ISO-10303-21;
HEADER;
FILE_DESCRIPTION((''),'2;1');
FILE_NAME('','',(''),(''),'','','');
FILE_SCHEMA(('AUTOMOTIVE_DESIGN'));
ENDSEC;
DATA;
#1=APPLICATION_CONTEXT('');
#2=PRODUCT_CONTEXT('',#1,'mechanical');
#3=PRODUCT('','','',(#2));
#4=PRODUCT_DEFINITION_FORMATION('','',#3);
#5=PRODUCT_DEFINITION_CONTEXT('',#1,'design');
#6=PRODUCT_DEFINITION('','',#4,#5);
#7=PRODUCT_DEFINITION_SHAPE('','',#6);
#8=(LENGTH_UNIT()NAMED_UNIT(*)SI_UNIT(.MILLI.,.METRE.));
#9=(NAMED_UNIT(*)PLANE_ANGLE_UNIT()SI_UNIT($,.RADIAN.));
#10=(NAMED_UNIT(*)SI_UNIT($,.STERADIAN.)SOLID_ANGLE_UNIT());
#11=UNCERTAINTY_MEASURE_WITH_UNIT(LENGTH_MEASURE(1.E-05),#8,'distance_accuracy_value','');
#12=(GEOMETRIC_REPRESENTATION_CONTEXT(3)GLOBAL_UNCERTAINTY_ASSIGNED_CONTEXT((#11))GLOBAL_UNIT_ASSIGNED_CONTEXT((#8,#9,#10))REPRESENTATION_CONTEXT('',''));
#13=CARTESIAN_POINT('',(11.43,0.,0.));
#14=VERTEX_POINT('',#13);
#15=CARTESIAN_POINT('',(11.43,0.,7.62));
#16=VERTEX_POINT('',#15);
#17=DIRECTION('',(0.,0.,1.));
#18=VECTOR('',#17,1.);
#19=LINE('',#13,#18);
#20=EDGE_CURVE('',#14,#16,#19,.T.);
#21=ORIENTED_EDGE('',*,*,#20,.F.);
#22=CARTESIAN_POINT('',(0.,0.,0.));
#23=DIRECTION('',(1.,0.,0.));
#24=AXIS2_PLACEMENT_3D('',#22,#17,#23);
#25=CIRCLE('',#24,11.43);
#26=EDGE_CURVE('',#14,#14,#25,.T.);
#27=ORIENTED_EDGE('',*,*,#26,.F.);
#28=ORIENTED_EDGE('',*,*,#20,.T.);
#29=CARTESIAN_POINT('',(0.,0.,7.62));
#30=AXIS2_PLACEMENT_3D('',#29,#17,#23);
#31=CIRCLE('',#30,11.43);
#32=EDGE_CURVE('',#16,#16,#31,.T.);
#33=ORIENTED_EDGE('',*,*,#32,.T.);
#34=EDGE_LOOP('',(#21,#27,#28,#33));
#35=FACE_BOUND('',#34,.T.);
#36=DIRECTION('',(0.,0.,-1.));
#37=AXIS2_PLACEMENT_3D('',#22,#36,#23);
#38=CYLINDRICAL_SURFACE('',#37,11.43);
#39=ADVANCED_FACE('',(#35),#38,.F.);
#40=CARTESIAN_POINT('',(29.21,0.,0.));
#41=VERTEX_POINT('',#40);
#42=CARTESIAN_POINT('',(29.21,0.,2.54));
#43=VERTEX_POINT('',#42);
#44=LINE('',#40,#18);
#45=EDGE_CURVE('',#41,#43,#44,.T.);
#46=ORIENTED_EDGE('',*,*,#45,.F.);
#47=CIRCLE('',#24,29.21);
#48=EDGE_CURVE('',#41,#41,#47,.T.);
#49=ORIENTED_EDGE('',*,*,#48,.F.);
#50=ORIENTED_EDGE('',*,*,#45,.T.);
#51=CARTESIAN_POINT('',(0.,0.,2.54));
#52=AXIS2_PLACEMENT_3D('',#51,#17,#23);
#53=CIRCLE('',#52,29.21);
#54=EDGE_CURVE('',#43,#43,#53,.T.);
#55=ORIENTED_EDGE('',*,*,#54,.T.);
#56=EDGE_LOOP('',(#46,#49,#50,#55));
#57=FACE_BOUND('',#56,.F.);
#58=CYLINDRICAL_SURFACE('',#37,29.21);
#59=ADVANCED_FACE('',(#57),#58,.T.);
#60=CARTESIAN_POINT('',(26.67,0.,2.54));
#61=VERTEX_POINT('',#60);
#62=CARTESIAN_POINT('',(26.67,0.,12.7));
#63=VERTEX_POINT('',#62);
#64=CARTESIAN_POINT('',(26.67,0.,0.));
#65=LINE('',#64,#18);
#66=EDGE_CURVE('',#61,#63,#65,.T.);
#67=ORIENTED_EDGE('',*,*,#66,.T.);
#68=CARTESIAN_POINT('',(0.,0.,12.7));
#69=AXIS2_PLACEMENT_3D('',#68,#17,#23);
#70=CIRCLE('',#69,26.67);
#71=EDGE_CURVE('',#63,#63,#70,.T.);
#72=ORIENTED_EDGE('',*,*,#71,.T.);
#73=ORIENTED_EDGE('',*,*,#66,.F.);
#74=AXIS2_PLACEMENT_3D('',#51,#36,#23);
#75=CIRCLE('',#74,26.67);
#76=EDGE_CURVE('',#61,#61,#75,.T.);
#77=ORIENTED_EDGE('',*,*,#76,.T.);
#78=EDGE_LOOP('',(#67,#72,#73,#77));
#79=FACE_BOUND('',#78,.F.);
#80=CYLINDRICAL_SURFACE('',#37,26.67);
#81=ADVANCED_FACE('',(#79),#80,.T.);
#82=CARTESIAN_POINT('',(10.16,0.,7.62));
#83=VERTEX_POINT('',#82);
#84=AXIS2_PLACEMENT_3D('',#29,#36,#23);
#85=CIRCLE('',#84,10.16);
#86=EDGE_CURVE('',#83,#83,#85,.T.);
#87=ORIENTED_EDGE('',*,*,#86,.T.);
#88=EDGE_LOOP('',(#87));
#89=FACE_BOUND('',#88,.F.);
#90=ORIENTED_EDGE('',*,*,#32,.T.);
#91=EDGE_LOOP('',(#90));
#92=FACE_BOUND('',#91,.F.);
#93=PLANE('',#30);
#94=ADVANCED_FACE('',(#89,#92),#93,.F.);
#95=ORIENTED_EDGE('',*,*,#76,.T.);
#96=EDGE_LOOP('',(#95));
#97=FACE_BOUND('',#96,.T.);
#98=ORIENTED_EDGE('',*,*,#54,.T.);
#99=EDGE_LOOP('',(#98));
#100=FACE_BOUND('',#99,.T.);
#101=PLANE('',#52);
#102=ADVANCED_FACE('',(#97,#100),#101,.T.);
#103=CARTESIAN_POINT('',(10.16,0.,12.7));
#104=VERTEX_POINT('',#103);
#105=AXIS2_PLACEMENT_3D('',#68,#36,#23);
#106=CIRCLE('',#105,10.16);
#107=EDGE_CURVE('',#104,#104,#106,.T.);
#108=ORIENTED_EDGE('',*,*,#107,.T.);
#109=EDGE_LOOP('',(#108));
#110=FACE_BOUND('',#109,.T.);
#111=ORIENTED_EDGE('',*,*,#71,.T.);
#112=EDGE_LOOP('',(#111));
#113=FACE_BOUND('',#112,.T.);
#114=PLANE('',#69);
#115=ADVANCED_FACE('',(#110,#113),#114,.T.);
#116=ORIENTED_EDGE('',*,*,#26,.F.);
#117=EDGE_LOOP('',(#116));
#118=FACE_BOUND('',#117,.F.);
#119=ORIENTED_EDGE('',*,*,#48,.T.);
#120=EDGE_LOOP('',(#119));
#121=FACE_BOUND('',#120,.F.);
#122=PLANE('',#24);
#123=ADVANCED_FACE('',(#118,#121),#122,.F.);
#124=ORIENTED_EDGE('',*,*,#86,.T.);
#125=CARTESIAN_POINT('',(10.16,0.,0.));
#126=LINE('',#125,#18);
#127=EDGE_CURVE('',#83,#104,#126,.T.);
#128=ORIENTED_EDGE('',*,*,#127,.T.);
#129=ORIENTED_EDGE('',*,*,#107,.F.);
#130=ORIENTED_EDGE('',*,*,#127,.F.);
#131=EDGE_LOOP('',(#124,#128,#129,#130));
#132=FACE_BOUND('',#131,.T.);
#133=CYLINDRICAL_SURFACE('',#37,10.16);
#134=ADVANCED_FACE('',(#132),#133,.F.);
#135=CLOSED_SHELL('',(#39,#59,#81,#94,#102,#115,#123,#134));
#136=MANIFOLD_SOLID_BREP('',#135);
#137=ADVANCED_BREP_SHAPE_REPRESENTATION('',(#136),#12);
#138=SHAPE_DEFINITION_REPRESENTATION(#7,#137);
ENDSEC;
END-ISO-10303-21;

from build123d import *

# Parameters (mm, degrees)
F0_R     = 29.21
F1_DEPTH = 2.54
F2_R     = 26.67
F3_DEPTH = 12.7
F4_R     = 10.16
F5_DEPTH = 12.701
F6_R     = 11.43
F7_DEPTH = 7.62


with BuildPart() as f1:
    # F0 (on Top) → F1 (new body)
    with BuildSketch(Plane.XY):
        Circle(F0_R)
    extrude(amount=F1_DEPTH)

    # F2 (on Top) → F3 (join)
    with BuildSketch(Plane.XY):
        Circle(F2_R)
    extrude(amount=F3_DEPTH)

    # F4 (on Top) → F5 (cut, through all)
    with BuildSketch(Plane.XY):
        Circle(F4_R)
    extrude(amount=F5_DEPTH, mode=Mode.SUBTRACT)

    # F6 (on Top) → F7 (cut)
    with BuildSketch(Plane.XY):
        Circle(F6_R)
    extrude(amount=F7_DEPTH, mode=Mode.SUBTRACT)


solid = f1.part
